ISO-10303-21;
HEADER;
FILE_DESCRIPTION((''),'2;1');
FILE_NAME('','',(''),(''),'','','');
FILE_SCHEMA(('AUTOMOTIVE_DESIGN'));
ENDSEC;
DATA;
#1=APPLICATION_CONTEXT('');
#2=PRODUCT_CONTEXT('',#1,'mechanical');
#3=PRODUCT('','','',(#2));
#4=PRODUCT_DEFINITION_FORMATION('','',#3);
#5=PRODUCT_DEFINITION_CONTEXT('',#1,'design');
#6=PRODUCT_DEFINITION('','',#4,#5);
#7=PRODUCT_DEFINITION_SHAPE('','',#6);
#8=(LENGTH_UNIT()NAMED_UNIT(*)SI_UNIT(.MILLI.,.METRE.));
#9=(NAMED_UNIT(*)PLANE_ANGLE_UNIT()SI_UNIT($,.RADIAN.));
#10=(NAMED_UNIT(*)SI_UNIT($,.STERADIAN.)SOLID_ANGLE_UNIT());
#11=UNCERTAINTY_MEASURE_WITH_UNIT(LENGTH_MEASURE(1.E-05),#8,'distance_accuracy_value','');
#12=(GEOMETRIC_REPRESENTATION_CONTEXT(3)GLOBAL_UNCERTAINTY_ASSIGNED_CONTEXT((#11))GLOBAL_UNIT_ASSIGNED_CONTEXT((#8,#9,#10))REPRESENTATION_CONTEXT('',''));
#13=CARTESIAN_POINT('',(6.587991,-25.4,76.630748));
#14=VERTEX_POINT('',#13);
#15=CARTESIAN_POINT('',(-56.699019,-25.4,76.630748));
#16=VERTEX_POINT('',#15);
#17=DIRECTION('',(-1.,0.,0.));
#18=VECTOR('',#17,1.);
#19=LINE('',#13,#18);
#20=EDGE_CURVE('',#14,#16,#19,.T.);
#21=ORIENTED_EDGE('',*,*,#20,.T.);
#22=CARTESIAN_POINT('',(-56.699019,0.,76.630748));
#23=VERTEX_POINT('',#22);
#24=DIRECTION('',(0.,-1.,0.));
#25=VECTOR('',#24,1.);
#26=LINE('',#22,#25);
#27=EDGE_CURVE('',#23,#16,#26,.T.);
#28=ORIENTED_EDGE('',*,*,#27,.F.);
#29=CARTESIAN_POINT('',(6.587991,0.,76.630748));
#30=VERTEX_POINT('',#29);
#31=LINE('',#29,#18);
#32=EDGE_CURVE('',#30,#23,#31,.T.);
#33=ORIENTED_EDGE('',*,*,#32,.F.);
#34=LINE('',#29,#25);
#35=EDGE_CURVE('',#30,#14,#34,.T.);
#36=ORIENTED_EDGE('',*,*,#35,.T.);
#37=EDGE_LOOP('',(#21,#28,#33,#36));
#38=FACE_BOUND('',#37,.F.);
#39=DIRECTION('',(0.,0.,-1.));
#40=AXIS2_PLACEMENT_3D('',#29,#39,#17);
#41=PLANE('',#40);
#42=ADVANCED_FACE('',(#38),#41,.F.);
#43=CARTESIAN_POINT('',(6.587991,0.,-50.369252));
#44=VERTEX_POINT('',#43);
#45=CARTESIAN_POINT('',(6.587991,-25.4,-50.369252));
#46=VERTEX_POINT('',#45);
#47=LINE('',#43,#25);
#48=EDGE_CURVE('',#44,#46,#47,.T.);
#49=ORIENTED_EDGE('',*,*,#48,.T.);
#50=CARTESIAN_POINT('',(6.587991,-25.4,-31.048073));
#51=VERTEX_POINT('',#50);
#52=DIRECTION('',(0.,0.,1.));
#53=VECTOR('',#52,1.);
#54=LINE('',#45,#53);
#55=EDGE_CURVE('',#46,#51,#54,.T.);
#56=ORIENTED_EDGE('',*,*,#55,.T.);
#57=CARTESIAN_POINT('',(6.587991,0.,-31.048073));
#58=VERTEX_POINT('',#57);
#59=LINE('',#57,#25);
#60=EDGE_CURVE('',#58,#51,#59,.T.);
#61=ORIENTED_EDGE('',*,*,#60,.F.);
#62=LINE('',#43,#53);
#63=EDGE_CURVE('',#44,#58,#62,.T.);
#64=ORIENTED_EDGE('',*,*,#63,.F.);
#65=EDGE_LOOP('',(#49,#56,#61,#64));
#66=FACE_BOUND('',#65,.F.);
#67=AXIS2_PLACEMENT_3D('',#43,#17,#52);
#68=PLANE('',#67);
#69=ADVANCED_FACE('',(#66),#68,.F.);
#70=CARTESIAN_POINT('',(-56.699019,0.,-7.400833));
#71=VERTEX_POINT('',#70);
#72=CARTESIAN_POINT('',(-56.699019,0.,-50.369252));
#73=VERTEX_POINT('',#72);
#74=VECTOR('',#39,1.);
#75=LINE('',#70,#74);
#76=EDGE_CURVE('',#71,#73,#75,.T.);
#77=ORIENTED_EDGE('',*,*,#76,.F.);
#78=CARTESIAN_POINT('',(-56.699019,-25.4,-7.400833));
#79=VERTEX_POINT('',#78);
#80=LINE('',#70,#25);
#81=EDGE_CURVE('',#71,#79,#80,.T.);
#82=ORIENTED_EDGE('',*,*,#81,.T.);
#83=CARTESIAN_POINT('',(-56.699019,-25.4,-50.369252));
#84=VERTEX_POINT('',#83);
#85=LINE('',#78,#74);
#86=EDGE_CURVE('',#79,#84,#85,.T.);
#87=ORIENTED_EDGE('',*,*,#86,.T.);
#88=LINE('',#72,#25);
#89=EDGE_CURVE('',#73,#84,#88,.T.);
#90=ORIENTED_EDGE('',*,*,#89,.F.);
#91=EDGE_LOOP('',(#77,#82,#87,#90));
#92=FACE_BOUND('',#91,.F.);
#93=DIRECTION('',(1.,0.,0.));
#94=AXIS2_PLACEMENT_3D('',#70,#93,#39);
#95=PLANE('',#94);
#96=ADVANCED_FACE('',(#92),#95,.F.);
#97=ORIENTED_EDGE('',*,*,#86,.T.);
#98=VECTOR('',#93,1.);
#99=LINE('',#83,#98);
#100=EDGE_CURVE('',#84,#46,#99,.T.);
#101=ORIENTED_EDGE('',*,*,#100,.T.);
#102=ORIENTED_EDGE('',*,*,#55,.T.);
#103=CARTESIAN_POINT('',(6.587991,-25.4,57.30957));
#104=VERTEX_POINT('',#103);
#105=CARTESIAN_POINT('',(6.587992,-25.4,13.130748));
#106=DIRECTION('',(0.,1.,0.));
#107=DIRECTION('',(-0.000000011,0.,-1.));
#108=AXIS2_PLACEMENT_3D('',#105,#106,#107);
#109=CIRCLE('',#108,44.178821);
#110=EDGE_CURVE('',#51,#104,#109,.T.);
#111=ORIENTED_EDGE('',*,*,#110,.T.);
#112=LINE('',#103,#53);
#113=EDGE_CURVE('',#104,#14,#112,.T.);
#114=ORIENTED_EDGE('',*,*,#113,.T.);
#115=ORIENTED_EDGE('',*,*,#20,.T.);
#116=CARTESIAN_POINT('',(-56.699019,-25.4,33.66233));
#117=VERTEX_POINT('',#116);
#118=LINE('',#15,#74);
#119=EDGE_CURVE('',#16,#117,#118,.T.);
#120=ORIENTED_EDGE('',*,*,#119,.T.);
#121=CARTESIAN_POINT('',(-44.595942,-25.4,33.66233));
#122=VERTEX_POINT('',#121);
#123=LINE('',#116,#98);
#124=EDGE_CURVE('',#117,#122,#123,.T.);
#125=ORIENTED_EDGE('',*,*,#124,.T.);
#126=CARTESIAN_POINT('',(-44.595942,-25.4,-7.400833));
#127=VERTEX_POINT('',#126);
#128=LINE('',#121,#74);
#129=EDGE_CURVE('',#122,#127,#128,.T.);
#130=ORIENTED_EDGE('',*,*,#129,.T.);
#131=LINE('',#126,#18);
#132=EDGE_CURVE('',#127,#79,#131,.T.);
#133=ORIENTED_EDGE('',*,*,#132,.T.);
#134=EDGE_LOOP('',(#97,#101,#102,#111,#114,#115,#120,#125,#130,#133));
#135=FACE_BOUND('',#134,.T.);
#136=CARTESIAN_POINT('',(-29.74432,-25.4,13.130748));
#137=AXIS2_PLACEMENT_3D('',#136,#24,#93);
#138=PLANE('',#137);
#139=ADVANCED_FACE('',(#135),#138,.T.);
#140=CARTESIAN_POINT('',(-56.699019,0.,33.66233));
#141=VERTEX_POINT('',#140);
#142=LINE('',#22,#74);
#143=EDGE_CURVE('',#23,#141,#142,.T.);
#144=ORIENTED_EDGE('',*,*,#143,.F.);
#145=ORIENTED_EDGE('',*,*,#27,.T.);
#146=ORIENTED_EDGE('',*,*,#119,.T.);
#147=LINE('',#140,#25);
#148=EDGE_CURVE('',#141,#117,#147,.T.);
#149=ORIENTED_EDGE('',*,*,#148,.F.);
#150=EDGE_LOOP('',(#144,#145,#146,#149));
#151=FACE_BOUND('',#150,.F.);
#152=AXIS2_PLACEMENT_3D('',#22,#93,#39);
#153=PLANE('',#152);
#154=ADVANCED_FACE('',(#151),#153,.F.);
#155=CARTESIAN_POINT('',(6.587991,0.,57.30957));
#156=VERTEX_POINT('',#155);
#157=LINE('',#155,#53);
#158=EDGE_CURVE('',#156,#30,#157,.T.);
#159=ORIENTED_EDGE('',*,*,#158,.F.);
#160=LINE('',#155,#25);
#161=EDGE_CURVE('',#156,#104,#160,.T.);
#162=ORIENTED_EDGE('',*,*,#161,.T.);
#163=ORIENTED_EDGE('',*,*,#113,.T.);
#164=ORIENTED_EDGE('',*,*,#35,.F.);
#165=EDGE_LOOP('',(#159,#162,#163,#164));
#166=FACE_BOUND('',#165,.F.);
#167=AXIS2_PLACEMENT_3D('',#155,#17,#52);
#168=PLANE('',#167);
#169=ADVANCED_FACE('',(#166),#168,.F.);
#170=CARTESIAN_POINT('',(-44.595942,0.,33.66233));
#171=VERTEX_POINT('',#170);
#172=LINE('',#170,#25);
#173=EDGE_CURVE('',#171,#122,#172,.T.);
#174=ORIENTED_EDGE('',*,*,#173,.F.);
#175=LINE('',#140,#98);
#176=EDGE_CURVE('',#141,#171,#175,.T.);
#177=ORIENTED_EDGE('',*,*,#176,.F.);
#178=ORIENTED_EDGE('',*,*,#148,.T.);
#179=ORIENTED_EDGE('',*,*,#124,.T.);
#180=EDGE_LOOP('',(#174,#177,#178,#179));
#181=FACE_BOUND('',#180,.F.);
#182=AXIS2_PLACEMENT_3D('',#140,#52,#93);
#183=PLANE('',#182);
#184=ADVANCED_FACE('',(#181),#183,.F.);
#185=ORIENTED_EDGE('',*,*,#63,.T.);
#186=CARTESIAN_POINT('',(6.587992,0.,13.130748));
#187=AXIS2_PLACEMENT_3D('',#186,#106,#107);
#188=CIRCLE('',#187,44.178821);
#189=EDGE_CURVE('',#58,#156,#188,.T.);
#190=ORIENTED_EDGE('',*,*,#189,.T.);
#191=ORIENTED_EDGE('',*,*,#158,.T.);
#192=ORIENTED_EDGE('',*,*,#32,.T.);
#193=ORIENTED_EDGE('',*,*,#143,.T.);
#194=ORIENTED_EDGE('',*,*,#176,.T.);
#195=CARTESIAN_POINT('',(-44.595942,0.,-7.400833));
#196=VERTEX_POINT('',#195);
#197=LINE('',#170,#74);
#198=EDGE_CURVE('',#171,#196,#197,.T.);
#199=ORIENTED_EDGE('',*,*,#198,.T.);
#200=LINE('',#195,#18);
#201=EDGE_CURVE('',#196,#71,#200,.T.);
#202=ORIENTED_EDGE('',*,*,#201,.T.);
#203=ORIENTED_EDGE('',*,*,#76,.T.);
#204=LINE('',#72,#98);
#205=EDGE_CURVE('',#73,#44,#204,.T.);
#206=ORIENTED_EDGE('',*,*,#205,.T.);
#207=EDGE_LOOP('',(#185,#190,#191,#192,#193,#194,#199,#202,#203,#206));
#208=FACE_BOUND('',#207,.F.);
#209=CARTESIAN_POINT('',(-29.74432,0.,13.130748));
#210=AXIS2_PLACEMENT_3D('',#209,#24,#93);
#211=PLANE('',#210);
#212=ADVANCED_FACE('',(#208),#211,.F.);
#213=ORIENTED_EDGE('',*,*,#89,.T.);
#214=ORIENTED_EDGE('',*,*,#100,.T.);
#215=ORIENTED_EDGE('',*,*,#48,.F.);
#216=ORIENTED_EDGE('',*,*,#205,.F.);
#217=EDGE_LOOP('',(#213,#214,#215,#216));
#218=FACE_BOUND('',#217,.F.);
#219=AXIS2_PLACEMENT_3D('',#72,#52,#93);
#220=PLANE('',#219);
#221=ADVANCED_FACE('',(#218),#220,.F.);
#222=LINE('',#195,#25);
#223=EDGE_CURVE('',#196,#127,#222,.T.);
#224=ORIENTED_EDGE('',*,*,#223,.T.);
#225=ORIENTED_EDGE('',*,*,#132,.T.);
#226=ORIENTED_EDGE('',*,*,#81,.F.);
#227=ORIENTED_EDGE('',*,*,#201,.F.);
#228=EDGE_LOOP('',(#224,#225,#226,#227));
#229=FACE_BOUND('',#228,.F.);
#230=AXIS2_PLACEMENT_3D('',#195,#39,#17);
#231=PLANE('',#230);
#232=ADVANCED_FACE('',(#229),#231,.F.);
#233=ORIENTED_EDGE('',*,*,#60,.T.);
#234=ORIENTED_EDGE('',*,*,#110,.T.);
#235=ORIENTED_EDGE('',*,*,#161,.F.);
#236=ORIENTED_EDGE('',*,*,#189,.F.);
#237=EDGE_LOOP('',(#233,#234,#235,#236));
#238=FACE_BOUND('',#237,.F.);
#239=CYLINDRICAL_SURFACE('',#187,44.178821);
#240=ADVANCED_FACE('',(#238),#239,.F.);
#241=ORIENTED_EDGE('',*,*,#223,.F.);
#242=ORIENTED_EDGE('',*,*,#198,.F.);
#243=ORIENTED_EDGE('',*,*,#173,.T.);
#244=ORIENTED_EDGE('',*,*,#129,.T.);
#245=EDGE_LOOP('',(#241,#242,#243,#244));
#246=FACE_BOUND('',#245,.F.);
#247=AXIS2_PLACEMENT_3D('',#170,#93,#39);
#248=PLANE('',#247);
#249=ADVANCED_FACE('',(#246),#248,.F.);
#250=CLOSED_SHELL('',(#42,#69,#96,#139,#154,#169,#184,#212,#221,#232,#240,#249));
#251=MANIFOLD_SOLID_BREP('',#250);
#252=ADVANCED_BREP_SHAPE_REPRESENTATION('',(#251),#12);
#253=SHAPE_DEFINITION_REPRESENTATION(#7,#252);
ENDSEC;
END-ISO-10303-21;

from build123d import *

# Parameters (mm, degrees)
F1_DEPTH = 25.4


with BuildPart() as f1:
    # F0 (on Front) → F1 (new body)
    with BuildSketch(Plane.XZ):
        with BuildLine():
            Line((6.587991, 76.630748), (-56.699019, 76.630748))
            Line((-56.699019, 76.630748), (-56.699019, 33.66233))
            Line((-56.699019, 33.66233), (-44.595942, 33.66233))
            Line((-44.595942, 33.66233), (-44.595942, -7.400833))
            Line((-44.595942, -7.400833), (-56.699019, -7.400833))
            Line((-56.699019, -7.400833), (-56.699019, -50.369252))
            Line((-56.699019, -50.369252), (6.587991, -50.369252))
            Line((6.587991, -50.369252), (6.587991, -31.048073))
            ThreePointArc((6.587991, -31.048073), (-37.59083, 13.130748), (6.587991, 57.30957))
            Line((6.587991, 57.30957), (6.587991, 76.630748))
        make_face()
    extrude(amount=F1_DEPTH)


solid = f1.part
